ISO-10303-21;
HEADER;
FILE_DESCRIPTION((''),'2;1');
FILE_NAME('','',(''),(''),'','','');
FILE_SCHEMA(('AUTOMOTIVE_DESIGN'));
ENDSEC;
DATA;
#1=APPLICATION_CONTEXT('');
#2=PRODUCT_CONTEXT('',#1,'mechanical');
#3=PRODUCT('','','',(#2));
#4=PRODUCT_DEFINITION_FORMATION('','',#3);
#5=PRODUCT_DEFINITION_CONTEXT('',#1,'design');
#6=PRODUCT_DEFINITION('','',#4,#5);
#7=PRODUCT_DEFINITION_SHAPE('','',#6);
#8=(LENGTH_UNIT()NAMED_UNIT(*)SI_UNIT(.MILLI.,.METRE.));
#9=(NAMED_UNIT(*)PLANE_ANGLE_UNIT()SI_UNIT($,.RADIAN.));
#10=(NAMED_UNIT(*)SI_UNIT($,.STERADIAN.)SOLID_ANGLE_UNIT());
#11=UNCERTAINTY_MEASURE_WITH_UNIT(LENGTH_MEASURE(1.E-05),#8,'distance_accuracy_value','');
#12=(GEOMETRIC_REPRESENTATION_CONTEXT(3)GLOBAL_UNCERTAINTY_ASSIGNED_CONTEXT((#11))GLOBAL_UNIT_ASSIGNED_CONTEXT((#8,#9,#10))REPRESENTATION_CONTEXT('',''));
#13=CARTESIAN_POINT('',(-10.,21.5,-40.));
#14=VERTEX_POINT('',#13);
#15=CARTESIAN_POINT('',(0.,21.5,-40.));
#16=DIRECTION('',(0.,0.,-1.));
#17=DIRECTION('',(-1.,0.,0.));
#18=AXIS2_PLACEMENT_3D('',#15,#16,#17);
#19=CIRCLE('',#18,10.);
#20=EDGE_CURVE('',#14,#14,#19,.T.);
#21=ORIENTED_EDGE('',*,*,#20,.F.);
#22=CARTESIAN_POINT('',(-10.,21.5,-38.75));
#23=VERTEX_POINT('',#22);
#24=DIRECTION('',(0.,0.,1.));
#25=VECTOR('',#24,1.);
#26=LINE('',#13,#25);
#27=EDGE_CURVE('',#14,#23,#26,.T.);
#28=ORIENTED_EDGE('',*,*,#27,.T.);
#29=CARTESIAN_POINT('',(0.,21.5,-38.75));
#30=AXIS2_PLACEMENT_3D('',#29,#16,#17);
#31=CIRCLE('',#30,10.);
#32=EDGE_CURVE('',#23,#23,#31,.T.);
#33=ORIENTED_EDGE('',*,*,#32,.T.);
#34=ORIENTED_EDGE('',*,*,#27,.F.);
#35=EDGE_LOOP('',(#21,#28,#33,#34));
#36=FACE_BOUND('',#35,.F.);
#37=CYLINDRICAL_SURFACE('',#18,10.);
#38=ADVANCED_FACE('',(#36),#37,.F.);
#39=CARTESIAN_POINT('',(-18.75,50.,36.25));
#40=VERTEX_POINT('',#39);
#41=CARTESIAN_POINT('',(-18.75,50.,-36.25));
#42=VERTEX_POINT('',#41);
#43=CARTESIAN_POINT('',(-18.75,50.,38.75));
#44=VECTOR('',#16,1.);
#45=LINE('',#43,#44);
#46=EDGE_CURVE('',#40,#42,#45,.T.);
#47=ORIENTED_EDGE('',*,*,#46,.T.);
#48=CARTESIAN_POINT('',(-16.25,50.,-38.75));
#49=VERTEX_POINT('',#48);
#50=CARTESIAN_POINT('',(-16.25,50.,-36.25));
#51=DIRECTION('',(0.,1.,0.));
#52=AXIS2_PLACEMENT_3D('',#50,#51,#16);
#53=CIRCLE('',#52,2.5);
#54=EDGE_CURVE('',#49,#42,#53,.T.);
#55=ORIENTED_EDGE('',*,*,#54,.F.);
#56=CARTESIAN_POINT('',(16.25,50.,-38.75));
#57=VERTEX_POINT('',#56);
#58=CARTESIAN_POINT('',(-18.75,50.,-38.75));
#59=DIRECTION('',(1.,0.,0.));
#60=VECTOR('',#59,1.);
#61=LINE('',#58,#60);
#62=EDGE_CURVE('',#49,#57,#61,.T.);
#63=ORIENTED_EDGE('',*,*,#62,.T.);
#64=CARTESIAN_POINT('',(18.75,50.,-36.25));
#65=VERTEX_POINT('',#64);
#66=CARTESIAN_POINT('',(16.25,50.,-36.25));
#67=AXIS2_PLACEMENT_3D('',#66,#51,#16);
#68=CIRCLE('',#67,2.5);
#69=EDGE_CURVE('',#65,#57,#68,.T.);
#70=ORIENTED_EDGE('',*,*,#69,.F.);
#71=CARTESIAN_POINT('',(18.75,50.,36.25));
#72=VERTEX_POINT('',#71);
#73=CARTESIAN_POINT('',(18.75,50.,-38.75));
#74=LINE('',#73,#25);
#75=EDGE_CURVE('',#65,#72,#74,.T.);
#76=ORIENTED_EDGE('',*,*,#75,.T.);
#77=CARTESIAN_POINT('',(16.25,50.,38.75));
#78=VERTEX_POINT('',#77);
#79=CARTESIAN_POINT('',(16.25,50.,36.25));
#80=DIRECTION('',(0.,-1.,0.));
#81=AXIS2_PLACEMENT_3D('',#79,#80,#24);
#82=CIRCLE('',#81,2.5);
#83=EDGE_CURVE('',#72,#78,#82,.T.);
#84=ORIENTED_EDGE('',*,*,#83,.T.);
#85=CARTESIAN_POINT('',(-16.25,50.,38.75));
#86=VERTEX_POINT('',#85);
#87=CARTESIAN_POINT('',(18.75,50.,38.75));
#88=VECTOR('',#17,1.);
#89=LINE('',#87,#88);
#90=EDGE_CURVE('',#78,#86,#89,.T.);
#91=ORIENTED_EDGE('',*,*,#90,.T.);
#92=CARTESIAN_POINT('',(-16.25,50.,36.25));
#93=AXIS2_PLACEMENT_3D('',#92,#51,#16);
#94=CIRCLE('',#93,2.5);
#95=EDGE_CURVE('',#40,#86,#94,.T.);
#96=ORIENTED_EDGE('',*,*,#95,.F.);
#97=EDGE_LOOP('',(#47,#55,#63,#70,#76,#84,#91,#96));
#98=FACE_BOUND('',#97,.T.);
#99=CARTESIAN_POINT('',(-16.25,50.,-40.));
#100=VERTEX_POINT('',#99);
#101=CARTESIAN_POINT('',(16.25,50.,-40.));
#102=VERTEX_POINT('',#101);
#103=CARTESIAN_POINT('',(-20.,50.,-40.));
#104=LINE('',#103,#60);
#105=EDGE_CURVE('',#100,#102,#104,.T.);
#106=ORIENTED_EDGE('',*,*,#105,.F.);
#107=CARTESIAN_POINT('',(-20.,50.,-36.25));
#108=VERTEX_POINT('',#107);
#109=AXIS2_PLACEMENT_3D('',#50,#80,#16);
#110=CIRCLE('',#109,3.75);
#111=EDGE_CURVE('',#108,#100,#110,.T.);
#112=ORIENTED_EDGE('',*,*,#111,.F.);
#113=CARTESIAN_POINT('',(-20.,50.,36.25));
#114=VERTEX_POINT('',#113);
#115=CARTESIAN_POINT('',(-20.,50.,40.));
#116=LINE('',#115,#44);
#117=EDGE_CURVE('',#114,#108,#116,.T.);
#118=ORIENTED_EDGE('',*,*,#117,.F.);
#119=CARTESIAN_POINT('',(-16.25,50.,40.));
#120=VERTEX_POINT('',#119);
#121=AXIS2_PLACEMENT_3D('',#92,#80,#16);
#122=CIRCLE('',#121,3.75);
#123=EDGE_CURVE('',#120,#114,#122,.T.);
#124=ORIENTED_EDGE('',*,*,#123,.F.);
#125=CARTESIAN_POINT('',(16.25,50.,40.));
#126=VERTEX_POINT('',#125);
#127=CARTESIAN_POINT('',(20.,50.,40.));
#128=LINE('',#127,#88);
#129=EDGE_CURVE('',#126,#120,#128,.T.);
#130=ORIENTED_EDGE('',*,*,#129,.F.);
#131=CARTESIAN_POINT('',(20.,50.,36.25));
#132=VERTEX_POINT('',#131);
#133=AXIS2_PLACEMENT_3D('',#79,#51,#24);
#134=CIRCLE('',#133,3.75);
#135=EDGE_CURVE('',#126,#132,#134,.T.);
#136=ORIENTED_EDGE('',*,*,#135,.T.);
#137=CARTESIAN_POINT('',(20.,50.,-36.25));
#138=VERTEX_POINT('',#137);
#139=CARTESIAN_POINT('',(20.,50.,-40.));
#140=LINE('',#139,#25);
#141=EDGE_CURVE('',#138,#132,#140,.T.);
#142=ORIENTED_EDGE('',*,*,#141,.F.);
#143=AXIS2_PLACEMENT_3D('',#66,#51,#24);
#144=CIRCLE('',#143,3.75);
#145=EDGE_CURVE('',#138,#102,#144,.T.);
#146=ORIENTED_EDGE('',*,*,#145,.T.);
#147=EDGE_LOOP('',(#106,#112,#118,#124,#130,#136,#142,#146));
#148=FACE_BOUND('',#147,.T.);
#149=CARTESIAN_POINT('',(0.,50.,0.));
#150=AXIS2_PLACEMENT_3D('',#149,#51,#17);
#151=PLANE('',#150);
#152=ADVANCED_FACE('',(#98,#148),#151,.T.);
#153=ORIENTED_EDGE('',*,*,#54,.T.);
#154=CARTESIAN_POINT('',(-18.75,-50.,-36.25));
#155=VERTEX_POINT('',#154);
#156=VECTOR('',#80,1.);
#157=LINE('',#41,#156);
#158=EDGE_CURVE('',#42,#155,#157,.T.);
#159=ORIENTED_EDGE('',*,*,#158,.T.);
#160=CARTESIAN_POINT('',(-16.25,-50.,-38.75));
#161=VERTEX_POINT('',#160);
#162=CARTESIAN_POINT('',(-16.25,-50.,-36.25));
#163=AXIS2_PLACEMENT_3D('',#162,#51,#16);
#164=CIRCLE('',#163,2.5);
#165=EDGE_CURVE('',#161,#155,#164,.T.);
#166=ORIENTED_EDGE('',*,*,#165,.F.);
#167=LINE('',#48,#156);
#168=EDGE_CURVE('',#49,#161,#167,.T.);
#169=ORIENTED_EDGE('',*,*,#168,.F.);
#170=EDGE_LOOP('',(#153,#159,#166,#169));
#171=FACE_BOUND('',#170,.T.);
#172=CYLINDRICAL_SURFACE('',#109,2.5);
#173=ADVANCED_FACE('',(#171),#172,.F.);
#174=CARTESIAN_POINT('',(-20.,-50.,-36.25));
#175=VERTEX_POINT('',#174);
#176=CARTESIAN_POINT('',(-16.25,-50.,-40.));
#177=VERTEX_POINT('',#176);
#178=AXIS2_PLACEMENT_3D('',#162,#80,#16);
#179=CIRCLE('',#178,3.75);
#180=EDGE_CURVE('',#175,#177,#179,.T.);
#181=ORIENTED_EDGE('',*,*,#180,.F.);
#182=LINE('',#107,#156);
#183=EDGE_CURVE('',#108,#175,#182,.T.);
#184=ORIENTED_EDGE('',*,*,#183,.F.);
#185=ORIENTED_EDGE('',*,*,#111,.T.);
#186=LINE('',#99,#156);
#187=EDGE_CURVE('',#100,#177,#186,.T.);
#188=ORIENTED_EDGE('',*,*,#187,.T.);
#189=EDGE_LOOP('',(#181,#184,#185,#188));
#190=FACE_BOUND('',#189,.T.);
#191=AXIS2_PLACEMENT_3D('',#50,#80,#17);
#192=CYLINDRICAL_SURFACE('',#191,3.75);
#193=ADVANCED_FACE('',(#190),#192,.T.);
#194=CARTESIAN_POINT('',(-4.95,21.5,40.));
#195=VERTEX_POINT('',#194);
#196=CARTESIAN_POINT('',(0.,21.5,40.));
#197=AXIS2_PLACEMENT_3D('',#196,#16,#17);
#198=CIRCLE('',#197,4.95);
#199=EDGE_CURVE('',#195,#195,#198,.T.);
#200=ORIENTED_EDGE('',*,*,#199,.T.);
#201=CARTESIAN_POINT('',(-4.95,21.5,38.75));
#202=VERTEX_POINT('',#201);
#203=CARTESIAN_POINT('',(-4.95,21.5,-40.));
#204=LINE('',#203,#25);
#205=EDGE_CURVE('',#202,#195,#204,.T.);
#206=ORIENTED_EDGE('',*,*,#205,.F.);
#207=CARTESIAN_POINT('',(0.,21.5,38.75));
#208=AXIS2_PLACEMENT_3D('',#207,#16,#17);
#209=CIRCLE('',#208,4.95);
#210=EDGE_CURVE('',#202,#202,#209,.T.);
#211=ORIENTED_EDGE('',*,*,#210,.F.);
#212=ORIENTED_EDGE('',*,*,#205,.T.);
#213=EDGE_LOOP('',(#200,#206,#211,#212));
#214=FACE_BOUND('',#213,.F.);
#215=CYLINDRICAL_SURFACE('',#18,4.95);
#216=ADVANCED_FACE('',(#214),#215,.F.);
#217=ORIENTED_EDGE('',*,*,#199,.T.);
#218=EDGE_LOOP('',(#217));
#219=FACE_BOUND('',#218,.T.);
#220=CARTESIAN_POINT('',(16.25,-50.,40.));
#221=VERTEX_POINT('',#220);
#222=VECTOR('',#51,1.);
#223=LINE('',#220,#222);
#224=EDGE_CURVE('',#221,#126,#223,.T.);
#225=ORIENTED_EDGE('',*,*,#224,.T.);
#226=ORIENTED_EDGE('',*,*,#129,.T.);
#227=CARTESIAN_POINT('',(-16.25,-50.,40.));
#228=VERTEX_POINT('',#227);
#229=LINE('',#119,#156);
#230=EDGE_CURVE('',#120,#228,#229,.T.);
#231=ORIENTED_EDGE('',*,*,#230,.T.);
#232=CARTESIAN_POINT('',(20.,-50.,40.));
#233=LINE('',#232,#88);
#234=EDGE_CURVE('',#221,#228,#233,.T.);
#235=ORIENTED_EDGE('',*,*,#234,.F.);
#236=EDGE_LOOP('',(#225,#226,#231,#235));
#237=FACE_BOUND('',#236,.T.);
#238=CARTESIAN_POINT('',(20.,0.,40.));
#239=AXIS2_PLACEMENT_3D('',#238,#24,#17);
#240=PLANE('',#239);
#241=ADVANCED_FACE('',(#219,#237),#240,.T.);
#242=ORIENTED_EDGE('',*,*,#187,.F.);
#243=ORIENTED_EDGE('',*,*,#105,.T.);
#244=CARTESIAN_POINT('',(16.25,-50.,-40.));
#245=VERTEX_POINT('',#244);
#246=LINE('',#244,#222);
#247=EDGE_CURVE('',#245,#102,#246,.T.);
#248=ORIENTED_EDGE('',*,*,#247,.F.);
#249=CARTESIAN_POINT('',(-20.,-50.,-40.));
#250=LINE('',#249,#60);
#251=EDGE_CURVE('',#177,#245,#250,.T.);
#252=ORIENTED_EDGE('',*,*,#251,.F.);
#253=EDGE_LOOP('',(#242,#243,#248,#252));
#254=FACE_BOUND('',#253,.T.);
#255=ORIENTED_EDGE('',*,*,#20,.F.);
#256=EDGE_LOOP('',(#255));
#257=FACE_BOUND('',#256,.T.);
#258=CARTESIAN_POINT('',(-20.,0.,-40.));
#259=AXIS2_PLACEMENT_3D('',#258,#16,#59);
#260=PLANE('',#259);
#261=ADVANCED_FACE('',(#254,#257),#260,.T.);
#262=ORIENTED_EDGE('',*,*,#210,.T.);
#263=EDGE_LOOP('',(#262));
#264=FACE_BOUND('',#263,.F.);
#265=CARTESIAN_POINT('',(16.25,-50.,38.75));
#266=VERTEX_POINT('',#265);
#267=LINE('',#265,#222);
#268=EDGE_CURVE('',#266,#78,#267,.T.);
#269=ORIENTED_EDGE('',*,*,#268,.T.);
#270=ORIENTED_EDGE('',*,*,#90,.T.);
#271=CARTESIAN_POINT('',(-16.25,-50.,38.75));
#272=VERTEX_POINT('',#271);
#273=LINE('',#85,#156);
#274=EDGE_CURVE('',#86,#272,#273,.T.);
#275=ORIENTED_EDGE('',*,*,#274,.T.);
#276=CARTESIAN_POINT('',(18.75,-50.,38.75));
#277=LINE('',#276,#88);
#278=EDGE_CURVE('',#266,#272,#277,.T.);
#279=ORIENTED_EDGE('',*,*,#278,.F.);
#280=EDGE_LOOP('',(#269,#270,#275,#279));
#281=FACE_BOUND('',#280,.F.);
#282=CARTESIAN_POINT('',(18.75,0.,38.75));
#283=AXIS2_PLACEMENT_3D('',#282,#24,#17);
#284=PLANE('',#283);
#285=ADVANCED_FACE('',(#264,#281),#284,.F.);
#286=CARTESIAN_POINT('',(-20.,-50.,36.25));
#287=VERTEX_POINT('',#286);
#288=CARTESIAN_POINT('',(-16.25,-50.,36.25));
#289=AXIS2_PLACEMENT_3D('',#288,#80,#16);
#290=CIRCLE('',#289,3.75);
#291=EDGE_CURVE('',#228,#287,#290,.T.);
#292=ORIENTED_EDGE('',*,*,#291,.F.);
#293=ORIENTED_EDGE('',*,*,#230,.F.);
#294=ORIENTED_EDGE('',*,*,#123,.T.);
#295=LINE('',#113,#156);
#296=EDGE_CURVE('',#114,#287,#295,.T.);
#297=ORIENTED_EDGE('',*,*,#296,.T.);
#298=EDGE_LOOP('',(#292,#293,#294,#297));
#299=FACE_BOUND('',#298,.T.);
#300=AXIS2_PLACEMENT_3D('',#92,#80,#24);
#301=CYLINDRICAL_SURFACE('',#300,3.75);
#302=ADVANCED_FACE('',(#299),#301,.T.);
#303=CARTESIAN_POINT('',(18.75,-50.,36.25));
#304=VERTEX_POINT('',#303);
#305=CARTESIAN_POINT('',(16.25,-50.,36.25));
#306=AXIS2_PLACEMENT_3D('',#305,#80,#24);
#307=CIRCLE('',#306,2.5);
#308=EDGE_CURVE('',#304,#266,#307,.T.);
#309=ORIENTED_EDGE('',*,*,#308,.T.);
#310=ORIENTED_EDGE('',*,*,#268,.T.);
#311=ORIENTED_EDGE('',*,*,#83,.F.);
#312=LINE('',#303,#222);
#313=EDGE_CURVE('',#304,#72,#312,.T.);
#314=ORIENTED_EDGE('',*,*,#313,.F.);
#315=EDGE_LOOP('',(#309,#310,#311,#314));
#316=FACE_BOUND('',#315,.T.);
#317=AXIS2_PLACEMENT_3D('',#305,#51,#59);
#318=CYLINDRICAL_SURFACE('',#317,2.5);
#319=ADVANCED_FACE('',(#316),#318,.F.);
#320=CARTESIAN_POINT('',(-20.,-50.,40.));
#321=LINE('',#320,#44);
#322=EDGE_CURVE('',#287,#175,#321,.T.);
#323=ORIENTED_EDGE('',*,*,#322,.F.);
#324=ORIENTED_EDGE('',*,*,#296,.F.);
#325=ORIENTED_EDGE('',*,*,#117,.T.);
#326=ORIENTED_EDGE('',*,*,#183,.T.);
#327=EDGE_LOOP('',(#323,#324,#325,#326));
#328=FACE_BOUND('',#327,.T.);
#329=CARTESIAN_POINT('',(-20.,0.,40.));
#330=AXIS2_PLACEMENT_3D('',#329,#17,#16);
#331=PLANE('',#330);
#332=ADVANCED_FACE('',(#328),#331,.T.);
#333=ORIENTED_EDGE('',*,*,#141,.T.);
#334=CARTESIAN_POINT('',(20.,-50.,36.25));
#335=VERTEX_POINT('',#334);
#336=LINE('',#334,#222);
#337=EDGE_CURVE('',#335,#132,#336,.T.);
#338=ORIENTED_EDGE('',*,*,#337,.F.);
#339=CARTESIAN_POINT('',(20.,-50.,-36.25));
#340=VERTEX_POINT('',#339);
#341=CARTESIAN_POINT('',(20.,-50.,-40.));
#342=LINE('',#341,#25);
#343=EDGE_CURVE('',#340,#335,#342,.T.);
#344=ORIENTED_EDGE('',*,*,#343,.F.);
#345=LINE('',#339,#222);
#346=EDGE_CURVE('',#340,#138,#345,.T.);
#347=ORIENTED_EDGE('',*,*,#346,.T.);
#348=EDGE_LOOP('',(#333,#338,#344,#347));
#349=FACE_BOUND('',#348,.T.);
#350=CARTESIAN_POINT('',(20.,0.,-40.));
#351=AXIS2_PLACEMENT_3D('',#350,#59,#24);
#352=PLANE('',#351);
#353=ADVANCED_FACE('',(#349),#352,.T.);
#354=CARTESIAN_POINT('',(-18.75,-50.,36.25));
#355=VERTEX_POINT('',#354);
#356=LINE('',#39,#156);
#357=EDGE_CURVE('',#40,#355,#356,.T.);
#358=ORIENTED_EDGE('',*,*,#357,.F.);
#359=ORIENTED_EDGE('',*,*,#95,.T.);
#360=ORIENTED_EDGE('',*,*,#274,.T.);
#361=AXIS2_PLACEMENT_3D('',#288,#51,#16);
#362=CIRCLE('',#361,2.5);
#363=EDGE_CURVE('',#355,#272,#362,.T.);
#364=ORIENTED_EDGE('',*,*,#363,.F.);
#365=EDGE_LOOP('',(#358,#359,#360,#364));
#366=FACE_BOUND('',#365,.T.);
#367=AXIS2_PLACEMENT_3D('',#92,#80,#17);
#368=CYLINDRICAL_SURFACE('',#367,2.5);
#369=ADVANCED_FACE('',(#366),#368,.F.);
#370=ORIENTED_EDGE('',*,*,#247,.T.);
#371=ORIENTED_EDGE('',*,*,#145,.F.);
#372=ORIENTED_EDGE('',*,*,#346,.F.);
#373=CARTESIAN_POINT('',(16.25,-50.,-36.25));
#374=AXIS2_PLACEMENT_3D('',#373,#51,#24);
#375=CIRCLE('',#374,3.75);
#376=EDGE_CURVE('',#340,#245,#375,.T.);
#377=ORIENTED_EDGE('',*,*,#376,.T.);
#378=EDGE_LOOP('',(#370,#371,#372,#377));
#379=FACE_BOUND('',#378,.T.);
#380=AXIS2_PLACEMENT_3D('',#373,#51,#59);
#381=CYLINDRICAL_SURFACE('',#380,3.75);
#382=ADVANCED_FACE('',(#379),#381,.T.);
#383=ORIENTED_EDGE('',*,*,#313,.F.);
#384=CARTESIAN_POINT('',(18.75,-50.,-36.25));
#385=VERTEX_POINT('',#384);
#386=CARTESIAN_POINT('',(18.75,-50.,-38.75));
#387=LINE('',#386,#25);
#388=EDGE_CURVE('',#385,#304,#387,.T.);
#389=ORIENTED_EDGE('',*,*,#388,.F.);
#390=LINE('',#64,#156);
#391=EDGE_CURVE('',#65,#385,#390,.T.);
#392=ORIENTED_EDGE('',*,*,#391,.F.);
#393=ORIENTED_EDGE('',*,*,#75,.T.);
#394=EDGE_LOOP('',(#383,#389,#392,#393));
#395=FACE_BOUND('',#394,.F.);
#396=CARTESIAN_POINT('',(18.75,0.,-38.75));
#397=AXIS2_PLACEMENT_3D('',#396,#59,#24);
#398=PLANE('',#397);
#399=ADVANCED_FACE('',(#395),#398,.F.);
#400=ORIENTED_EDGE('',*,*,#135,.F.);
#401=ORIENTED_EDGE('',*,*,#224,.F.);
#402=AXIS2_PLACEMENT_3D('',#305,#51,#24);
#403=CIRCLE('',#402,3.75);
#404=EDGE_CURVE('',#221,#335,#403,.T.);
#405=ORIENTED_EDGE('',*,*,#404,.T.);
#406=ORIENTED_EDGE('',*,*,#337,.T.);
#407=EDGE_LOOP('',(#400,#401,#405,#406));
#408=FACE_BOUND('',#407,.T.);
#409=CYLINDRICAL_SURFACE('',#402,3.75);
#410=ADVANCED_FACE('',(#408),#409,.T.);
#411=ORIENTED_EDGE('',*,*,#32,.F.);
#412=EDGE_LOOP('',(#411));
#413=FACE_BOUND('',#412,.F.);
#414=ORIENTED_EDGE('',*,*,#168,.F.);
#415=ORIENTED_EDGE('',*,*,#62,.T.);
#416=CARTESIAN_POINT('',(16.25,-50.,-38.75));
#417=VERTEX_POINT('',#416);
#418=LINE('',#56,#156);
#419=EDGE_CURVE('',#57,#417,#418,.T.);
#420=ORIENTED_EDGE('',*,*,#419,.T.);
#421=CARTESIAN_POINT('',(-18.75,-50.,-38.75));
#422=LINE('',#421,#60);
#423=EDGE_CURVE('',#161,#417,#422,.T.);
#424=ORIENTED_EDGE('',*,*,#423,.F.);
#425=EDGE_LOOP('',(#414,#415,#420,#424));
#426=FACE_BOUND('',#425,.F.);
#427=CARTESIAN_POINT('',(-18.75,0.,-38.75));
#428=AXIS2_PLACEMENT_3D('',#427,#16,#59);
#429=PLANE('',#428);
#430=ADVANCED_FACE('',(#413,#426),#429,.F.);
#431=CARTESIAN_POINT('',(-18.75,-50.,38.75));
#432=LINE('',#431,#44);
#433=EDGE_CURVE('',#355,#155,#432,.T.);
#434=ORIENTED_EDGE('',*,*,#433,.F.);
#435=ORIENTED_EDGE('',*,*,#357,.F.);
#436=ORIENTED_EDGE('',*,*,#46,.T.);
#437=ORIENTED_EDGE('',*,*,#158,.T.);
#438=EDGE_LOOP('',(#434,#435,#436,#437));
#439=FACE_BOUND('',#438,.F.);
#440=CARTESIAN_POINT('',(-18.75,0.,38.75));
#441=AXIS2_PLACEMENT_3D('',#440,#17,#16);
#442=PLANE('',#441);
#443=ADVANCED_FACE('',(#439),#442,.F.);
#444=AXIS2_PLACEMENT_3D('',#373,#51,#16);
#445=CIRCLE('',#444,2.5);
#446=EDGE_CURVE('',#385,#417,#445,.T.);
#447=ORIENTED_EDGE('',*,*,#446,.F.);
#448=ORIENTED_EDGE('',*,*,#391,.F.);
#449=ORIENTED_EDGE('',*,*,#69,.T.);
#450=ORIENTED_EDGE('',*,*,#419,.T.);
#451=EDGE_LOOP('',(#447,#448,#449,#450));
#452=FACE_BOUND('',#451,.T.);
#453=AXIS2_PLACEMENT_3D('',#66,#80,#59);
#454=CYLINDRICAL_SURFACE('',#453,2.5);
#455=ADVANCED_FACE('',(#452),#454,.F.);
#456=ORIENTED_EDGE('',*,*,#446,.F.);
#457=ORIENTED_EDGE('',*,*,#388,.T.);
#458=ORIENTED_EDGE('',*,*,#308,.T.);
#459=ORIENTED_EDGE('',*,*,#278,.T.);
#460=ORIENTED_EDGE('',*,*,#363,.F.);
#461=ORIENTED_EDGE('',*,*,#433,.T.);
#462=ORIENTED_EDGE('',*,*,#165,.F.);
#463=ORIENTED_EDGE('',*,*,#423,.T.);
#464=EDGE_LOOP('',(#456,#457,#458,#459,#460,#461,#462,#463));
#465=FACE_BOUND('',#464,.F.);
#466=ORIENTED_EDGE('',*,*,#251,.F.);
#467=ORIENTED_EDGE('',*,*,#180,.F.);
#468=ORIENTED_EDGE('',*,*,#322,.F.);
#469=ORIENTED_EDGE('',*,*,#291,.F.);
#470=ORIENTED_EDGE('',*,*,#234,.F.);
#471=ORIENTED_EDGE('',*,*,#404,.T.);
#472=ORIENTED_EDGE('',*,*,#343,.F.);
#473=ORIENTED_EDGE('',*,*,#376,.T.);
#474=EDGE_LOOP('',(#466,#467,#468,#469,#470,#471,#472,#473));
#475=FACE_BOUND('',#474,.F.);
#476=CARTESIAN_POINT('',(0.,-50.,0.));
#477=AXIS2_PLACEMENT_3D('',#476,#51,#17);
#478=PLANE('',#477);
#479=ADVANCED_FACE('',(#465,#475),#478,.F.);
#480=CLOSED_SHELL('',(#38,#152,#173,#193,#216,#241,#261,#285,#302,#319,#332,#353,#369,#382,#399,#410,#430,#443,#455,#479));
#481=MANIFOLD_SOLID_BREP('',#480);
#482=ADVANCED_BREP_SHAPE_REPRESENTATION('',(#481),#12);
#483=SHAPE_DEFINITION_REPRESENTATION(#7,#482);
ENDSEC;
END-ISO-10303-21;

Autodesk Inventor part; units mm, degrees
ref_plane "YZ Plane" through (0, 0, 0) normal (1, 0, 0) x (0, 1, 0)
ref_plane "XZ Plane" through (0, 0, 0) normal (0, 1, 0) x (-1, 0, 0)
ref_plane "XY Plane" through (0, 0, 0) normal (0, 0, 1) x (1, 0, 0)
sketch "Sketch1" plane through (0, 0, 0) normal (0, 1, 0) x (-1, 0, 0)
  line L0 (-20, 40) -> (20, 40)
  line L1 (20, 40) -> (20, -40)
  line L2 (20, -40) -> (-20, -40)
  line L3 (-20, -40) -> (-20, 40)
  line L4 (-20, 40) -> (20, -40) construction
  line L5 (20, 40) -> (-20, -40) construction
  line L6 (-18.75, 38.75) -> (18.75, 38.75)
  line L7 (18.75, 38.75) -> (18.75, -38.75)
  line L8 (18.75, -38.75) -> (-18.75, -38.75)
  line L9 (-18.75, -38.75) -> (-18.75, 38.75)
  line L10 (-18.75, 38.75) -> (18.75, -38.75) construction
  line L11 (18.75, 38.75) -> (-18.75, -38.75) construction
  point P0 (0, 0)
  dimension "d0" = 40
  dimension "d1" = 80
  dimension "d2" = 37.5
  dimension "d3" = 77.5
extrude "Extrusion1" add sketch "Sketch1" along normal mid plane 100
fillet "Fillet1" radius 3.75 4 edges at (20, 0, 40) (-20, 0, 40) (20, 0, -40) (-20, 0, -40)
fillet "Fillet1" radius 2.5 4 edges at (18.75, 0, 38.75) (-18.75, 0, -38.75) (18.75, 0, -38.75) (-18.75, 0, 38.75)
sketch "Sketch3" plane through (16.25, 50, -40) normal (0, 0, -1) x (-1, 0, 0)
  line L0 (0, 0) -> (32.5, 0) projected
  line L1 (16.25, 0) -> (16.25, -28.5)
  circle A0 centre (16.25, -28.5) radius 4.95
  point P0 (16.25, -50)
  dimension "d12" = 28.5
  dimension "d13" = 9.9
extrude "Extrusion3" cut sketch "Sketch3" against normal through all
sketch "Sketch4" plane through (16.25, 50, -40) normal (0, 0, -1) x (-1, 0, 0)
  circle A0 centre (16.25, -28.5) radius 4.95 projected
  circle A1 centre (16.25, -28.5) radius 10
  point P0 (16.25, -50)
  dimension "d16" = 20
extrude "Extrusion4" cut sketch "Sketch4" against normal blind 10
properties part number "tubo2-40x40x640" material "Aluminum"
